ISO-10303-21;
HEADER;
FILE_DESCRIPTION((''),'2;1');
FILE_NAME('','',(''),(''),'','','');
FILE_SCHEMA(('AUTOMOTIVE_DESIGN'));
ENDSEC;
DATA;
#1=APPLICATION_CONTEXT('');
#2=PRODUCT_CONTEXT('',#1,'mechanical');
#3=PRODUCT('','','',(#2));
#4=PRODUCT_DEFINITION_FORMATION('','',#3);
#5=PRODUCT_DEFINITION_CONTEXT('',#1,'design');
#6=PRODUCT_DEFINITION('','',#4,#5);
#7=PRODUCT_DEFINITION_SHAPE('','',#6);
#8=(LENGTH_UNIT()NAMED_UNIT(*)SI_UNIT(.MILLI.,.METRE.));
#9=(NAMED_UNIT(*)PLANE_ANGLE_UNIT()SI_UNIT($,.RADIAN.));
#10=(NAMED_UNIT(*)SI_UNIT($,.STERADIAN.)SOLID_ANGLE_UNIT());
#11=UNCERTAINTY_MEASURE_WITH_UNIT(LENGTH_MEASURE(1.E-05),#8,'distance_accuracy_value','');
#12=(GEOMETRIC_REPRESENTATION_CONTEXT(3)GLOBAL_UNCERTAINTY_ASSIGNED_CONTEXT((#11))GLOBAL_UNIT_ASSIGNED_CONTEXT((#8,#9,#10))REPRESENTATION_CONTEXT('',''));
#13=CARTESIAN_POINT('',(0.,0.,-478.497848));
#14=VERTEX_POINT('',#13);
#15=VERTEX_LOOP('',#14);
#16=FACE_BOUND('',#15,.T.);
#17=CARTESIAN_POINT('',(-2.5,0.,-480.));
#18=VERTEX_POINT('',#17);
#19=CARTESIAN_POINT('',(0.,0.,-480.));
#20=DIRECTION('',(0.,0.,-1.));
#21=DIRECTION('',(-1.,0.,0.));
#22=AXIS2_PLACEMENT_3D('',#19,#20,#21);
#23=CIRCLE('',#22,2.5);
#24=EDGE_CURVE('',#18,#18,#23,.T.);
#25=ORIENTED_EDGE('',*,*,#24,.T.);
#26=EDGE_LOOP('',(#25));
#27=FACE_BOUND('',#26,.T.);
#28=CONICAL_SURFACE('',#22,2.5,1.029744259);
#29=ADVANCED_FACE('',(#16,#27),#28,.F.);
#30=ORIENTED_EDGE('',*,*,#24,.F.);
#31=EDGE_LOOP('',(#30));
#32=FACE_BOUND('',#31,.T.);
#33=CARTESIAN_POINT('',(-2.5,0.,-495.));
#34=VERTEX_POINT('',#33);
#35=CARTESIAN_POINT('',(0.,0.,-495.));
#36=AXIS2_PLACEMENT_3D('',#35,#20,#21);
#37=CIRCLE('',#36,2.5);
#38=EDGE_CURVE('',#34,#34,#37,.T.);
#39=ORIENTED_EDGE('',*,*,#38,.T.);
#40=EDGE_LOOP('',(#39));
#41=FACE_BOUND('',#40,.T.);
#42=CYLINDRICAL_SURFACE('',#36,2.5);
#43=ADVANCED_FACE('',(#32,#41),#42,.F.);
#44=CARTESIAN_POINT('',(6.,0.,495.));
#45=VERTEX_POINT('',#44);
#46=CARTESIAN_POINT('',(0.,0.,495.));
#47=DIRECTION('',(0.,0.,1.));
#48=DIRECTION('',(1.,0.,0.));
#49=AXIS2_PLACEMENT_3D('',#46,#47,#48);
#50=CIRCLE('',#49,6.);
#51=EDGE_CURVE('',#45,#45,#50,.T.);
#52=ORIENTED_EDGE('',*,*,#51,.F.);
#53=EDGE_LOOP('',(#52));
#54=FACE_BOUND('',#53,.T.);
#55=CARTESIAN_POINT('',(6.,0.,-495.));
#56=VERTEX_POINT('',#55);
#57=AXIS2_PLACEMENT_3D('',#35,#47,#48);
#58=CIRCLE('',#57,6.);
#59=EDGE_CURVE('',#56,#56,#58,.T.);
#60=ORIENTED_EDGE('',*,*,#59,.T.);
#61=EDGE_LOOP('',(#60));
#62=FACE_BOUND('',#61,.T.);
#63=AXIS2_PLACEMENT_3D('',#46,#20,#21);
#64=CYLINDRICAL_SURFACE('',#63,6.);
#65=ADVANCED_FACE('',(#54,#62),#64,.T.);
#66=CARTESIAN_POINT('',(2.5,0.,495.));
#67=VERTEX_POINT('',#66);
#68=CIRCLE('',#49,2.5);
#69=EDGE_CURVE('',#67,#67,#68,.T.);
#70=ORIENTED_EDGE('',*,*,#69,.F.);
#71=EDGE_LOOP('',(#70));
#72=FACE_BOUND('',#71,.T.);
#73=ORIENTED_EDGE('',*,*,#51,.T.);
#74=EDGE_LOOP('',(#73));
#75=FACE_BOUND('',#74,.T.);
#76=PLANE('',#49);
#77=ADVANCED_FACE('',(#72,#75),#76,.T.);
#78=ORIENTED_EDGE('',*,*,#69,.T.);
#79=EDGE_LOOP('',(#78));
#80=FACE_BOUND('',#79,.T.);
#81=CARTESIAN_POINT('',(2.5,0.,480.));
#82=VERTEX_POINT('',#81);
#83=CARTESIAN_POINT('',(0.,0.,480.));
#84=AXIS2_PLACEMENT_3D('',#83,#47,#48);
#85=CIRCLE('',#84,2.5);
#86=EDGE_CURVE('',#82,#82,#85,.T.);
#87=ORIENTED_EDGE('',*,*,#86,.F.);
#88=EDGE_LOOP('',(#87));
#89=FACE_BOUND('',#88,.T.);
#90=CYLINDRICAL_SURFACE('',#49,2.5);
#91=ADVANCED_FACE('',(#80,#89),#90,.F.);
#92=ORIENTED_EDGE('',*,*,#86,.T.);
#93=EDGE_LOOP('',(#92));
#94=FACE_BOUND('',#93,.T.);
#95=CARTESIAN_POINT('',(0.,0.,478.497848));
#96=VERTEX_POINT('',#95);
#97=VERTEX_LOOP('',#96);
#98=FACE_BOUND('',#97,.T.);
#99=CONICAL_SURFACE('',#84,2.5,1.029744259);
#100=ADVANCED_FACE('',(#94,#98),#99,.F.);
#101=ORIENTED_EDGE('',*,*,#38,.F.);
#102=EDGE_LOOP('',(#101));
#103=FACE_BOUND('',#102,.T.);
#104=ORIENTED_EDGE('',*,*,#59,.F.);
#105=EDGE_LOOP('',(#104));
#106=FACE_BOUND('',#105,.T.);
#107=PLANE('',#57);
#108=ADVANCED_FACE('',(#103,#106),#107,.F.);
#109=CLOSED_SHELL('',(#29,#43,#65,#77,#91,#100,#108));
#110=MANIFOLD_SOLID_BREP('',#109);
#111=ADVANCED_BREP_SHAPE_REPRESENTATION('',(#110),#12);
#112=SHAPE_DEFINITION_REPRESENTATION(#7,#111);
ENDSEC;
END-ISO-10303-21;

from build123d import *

# Parameters (mm, degrees)
SKETCH_1_R             = 6
EXTRUDE_1_DEPTH        = 495
HOLE_WIZARD_M6_1_D     = 5
HOLE_WIZARD_M6_1_DEPTH = 15
HOLE_WIZARD_M6_1_TIP   = 1.502151548
HOLE_WIZARD_M6_2_D     = 5
HOLE_WIZARD_M6_2_DEPTH = 15
HOLE_WIZARD_M6_2_TIP   = 1.502151548


with BuildPart() as part:
    # 草图1 → 凸台-拉伸1 (new, symmetric)
    with BuildSketch(Plane.XY):
        Circle(SKETCH_1_R)
    extrude(amount=EXTRUDE_1_DEPTH, both=True)

    # M6 螺纹孔1
    with Locations(Plane(origin=(0, 0, -495), x_dir=(-1, 0, 0), z_dir=(0, 0, -1))):
        with Locations((0, 0)):
            Hole(HOLE_WIZARD_M6_1_D / 2, depth=HOLE_WIZARD_M6_1_DEPTH)
            with Locations((0, 0, -(HOLE_WIZARD_M6_1_DEPTH + HOLE_WIZARD_M6_1_TIP / 2))):  # 118° drill point
                Cone(0, HOLE_WIZARD_M6_1_D / 2, HOLE_WIZARD_M6_1_TIP, mode=Mode.SUBTRACT)

    # M6 螺纹孔2
    with Locations(Plane.XY.offset(495)):
        with Locations((0, 0)):
            Hole(HOLE_WIZARD_M6_2_D / 2, depth=HOLE_WIZARD_M6_2_DEPTH)
            with Locations((0, 0, -(HOLE_WIZARD_M6_2_DEPTH + HOLE_WIZARD_M6_2_TIP / 2))):  # 118° drill point
                Cone(0, HOLE_WIZARD_M6_2_D / 2, HOLE_WIZARD_M6_2_TIP, mode=Mode.SUBTRACT)


solid = part.part
